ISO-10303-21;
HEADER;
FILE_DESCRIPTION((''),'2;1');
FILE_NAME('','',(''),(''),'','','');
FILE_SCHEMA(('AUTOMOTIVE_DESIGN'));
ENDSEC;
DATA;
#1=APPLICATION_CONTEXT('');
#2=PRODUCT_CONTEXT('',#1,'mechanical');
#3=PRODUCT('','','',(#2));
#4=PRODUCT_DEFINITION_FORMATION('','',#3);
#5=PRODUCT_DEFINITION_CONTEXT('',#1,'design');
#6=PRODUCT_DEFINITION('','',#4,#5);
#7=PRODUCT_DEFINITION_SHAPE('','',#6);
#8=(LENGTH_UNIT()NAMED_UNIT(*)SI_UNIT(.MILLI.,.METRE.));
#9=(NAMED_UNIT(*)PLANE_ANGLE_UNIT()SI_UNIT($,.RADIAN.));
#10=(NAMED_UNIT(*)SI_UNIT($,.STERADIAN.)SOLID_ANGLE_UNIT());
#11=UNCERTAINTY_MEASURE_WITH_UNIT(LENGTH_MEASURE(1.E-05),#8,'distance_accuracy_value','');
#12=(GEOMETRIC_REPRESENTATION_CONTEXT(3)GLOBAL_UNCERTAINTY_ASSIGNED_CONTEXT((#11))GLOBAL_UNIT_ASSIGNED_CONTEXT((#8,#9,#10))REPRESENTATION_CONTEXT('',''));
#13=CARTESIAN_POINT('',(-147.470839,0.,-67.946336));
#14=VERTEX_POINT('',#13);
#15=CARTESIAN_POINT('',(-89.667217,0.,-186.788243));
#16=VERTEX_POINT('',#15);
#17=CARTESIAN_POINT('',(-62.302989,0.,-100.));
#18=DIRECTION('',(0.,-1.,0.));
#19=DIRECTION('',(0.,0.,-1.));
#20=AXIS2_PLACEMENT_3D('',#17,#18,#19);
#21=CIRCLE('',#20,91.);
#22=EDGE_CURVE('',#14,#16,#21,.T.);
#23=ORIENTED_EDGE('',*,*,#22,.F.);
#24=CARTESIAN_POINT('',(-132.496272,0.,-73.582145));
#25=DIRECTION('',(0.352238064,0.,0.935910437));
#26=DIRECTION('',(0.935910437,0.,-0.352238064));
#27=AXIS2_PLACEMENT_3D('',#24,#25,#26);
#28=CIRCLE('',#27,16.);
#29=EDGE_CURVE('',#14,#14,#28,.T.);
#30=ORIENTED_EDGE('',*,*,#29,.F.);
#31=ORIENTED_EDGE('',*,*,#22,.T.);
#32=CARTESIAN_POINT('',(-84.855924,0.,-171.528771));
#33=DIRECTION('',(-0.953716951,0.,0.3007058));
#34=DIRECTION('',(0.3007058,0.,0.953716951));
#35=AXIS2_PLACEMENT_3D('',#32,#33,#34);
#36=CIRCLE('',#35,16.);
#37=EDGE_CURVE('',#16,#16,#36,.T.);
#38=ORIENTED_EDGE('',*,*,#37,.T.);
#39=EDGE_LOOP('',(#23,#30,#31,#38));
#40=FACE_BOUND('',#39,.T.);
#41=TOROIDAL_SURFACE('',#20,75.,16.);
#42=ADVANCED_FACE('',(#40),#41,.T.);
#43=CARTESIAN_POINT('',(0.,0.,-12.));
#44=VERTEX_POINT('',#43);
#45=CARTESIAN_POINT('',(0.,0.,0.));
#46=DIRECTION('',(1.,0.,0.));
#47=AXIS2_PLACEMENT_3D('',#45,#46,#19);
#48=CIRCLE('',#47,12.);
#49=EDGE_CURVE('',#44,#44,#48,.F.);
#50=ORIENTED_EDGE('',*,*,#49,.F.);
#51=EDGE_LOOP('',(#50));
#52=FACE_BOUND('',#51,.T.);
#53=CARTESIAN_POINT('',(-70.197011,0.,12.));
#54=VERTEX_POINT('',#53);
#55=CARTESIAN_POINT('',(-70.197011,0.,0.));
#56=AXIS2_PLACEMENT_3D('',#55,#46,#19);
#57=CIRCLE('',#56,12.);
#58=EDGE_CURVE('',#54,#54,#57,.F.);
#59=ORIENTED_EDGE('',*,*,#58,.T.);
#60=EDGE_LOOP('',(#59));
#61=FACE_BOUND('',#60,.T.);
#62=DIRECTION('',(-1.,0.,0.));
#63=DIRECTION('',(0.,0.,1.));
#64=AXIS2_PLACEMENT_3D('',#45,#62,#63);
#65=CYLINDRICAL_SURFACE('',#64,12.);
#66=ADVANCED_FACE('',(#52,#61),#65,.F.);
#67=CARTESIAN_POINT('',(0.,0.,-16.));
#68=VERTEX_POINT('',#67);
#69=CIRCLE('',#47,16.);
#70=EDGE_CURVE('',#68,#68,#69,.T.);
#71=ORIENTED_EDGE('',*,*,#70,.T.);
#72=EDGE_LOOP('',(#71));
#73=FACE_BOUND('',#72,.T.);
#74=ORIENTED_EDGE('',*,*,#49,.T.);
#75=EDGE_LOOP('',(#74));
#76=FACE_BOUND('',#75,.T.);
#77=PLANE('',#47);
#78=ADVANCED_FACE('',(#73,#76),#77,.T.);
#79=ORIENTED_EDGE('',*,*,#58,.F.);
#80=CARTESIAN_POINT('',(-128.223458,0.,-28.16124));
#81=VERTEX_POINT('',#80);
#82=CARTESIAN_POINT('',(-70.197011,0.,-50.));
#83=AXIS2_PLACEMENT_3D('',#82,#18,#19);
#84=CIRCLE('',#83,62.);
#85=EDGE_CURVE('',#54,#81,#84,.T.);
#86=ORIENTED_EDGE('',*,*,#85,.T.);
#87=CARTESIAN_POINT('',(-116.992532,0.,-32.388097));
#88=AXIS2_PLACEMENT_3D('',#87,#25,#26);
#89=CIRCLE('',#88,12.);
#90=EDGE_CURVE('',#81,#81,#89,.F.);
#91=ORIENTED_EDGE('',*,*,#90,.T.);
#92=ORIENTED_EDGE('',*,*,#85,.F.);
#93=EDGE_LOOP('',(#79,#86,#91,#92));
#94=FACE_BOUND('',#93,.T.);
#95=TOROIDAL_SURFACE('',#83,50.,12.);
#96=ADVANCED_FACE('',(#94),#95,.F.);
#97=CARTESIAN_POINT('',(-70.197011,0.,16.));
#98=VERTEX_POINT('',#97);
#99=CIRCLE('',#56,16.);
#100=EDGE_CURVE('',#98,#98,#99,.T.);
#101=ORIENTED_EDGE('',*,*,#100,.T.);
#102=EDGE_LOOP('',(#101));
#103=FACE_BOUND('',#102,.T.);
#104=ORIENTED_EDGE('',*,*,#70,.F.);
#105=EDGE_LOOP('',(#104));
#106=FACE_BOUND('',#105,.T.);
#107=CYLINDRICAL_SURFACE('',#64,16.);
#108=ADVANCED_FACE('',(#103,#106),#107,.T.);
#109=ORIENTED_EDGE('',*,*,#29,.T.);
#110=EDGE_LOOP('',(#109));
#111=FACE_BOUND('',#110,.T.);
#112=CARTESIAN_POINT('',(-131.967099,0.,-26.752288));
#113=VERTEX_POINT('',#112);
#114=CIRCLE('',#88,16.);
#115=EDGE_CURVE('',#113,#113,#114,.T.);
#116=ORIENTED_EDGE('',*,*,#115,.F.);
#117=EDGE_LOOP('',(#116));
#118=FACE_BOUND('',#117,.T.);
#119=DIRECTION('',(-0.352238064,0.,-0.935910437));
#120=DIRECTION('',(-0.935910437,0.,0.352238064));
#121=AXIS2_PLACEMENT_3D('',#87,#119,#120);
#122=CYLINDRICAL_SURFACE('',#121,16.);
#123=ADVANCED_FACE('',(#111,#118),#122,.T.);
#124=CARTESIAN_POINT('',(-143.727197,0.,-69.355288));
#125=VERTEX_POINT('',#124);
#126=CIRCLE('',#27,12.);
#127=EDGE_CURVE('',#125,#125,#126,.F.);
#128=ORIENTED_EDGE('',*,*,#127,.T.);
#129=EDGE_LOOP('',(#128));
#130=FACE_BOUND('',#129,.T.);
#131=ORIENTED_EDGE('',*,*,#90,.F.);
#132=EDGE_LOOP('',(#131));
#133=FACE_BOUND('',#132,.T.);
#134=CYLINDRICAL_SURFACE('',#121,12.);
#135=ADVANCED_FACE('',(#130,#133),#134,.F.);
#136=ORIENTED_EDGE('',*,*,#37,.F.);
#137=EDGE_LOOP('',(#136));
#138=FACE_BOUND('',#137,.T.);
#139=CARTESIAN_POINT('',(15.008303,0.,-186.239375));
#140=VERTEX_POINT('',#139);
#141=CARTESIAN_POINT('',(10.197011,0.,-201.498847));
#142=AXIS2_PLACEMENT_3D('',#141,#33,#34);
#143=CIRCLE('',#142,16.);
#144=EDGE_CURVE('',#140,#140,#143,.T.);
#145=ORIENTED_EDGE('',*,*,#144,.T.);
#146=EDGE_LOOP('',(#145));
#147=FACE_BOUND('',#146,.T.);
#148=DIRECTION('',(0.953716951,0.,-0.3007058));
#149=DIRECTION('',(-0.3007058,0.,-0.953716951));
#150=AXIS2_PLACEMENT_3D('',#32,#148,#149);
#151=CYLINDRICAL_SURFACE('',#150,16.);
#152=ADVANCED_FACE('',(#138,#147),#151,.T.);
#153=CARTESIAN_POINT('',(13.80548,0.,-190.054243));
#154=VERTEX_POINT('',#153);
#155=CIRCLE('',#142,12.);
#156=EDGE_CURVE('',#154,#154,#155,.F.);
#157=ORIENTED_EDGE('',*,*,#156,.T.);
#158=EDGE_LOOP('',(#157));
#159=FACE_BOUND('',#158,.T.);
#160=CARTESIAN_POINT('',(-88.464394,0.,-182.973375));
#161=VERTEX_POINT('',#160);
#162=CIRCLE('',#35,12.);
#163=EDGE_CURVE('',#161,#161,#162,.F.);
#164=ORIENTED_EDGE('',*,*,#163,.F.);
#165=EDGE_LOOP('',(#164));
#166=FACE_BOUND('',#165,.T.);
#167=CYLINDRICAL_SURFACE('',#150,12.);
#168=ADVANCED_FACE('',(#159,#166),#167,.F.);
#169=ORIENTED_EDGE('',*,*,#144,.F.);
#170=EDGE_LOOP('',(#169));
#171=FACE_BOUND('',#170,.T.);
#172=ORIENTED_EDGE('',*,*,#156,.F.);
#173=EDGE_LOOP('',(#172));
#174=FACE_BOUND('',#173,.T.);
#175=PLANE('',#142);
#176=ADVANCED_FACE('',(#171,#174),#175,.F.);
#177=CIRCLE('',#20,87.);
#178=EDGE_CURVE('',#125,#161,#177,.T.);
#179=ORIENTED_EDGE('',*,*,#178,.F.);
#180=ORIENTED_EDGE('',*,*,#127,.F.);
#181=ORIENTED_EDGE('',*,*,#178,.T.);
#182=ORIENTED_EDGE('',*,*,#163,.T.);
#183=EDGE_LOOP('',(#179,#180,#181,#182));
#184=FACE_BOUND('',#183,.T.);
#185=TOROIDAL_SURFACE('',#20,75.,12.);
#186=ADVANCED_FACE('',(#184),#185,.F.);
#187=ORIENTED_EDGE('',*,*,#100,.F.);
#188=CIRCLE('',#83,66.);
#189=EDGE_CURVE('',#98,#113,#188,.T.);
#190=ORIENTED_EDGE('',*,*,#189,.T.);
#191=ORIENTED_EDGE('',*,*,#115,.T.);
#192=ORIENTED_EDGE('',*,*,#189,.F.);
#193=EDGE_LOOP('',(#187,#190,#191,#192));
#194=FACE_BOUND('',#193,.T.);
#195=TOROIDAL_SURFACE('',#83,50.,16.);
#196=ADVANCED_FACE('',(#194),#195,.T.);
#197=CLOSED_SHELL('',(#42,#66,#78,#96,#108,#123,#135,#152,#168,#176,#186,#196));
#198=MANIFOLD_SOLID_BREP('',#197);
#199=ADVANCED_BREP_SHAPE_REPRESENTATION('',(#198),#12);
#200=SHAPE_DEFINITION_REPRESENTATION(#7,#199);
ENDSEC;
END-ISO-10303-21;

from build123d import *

# Parameters (mm, degrees)
SKETCH2_R   = 16
SKETCH2_R_2 = 12


with BuildPart() as part:
    # Sweep1: sweep along a path in Sketch1
    with BuildLine(Plane(origin=(0, 0, 0), x_dir=(1, 0, 0), z_dir=(0, 1, 0))) as sweep1_path:
        Line((0, 0), (-70.1970105, 0))
        ThreePointArc((-70.1970105, 0), (-98.652281007, 8.886771224), (-116.99253235, 32.388096786))
        Line((-116.99253235, 32.388096786), (-132.496272122, 73.582145179))
        ThreePointArc((-132.496272122, 73.582145179), (-129.748156844, 132.804715841), (-84.855924311, 171.528771306))
        Line((-84.855924311, 171.528771306), (10.197010652, 201.498846579))
    # Sketch2 → Sweep1 (sweep)
    with BuildSketch(Plane(origin=(0, 0, 0), x_dir=(0, 0, -1), z_dir=(1, 0, 0))):
        Circle(SKETCH2_R)
        Circle(SKETCH2_R_2, mode=Mode.SUBTRACT)
    sweep(path=sweep1_path.line)


solid = part.part
